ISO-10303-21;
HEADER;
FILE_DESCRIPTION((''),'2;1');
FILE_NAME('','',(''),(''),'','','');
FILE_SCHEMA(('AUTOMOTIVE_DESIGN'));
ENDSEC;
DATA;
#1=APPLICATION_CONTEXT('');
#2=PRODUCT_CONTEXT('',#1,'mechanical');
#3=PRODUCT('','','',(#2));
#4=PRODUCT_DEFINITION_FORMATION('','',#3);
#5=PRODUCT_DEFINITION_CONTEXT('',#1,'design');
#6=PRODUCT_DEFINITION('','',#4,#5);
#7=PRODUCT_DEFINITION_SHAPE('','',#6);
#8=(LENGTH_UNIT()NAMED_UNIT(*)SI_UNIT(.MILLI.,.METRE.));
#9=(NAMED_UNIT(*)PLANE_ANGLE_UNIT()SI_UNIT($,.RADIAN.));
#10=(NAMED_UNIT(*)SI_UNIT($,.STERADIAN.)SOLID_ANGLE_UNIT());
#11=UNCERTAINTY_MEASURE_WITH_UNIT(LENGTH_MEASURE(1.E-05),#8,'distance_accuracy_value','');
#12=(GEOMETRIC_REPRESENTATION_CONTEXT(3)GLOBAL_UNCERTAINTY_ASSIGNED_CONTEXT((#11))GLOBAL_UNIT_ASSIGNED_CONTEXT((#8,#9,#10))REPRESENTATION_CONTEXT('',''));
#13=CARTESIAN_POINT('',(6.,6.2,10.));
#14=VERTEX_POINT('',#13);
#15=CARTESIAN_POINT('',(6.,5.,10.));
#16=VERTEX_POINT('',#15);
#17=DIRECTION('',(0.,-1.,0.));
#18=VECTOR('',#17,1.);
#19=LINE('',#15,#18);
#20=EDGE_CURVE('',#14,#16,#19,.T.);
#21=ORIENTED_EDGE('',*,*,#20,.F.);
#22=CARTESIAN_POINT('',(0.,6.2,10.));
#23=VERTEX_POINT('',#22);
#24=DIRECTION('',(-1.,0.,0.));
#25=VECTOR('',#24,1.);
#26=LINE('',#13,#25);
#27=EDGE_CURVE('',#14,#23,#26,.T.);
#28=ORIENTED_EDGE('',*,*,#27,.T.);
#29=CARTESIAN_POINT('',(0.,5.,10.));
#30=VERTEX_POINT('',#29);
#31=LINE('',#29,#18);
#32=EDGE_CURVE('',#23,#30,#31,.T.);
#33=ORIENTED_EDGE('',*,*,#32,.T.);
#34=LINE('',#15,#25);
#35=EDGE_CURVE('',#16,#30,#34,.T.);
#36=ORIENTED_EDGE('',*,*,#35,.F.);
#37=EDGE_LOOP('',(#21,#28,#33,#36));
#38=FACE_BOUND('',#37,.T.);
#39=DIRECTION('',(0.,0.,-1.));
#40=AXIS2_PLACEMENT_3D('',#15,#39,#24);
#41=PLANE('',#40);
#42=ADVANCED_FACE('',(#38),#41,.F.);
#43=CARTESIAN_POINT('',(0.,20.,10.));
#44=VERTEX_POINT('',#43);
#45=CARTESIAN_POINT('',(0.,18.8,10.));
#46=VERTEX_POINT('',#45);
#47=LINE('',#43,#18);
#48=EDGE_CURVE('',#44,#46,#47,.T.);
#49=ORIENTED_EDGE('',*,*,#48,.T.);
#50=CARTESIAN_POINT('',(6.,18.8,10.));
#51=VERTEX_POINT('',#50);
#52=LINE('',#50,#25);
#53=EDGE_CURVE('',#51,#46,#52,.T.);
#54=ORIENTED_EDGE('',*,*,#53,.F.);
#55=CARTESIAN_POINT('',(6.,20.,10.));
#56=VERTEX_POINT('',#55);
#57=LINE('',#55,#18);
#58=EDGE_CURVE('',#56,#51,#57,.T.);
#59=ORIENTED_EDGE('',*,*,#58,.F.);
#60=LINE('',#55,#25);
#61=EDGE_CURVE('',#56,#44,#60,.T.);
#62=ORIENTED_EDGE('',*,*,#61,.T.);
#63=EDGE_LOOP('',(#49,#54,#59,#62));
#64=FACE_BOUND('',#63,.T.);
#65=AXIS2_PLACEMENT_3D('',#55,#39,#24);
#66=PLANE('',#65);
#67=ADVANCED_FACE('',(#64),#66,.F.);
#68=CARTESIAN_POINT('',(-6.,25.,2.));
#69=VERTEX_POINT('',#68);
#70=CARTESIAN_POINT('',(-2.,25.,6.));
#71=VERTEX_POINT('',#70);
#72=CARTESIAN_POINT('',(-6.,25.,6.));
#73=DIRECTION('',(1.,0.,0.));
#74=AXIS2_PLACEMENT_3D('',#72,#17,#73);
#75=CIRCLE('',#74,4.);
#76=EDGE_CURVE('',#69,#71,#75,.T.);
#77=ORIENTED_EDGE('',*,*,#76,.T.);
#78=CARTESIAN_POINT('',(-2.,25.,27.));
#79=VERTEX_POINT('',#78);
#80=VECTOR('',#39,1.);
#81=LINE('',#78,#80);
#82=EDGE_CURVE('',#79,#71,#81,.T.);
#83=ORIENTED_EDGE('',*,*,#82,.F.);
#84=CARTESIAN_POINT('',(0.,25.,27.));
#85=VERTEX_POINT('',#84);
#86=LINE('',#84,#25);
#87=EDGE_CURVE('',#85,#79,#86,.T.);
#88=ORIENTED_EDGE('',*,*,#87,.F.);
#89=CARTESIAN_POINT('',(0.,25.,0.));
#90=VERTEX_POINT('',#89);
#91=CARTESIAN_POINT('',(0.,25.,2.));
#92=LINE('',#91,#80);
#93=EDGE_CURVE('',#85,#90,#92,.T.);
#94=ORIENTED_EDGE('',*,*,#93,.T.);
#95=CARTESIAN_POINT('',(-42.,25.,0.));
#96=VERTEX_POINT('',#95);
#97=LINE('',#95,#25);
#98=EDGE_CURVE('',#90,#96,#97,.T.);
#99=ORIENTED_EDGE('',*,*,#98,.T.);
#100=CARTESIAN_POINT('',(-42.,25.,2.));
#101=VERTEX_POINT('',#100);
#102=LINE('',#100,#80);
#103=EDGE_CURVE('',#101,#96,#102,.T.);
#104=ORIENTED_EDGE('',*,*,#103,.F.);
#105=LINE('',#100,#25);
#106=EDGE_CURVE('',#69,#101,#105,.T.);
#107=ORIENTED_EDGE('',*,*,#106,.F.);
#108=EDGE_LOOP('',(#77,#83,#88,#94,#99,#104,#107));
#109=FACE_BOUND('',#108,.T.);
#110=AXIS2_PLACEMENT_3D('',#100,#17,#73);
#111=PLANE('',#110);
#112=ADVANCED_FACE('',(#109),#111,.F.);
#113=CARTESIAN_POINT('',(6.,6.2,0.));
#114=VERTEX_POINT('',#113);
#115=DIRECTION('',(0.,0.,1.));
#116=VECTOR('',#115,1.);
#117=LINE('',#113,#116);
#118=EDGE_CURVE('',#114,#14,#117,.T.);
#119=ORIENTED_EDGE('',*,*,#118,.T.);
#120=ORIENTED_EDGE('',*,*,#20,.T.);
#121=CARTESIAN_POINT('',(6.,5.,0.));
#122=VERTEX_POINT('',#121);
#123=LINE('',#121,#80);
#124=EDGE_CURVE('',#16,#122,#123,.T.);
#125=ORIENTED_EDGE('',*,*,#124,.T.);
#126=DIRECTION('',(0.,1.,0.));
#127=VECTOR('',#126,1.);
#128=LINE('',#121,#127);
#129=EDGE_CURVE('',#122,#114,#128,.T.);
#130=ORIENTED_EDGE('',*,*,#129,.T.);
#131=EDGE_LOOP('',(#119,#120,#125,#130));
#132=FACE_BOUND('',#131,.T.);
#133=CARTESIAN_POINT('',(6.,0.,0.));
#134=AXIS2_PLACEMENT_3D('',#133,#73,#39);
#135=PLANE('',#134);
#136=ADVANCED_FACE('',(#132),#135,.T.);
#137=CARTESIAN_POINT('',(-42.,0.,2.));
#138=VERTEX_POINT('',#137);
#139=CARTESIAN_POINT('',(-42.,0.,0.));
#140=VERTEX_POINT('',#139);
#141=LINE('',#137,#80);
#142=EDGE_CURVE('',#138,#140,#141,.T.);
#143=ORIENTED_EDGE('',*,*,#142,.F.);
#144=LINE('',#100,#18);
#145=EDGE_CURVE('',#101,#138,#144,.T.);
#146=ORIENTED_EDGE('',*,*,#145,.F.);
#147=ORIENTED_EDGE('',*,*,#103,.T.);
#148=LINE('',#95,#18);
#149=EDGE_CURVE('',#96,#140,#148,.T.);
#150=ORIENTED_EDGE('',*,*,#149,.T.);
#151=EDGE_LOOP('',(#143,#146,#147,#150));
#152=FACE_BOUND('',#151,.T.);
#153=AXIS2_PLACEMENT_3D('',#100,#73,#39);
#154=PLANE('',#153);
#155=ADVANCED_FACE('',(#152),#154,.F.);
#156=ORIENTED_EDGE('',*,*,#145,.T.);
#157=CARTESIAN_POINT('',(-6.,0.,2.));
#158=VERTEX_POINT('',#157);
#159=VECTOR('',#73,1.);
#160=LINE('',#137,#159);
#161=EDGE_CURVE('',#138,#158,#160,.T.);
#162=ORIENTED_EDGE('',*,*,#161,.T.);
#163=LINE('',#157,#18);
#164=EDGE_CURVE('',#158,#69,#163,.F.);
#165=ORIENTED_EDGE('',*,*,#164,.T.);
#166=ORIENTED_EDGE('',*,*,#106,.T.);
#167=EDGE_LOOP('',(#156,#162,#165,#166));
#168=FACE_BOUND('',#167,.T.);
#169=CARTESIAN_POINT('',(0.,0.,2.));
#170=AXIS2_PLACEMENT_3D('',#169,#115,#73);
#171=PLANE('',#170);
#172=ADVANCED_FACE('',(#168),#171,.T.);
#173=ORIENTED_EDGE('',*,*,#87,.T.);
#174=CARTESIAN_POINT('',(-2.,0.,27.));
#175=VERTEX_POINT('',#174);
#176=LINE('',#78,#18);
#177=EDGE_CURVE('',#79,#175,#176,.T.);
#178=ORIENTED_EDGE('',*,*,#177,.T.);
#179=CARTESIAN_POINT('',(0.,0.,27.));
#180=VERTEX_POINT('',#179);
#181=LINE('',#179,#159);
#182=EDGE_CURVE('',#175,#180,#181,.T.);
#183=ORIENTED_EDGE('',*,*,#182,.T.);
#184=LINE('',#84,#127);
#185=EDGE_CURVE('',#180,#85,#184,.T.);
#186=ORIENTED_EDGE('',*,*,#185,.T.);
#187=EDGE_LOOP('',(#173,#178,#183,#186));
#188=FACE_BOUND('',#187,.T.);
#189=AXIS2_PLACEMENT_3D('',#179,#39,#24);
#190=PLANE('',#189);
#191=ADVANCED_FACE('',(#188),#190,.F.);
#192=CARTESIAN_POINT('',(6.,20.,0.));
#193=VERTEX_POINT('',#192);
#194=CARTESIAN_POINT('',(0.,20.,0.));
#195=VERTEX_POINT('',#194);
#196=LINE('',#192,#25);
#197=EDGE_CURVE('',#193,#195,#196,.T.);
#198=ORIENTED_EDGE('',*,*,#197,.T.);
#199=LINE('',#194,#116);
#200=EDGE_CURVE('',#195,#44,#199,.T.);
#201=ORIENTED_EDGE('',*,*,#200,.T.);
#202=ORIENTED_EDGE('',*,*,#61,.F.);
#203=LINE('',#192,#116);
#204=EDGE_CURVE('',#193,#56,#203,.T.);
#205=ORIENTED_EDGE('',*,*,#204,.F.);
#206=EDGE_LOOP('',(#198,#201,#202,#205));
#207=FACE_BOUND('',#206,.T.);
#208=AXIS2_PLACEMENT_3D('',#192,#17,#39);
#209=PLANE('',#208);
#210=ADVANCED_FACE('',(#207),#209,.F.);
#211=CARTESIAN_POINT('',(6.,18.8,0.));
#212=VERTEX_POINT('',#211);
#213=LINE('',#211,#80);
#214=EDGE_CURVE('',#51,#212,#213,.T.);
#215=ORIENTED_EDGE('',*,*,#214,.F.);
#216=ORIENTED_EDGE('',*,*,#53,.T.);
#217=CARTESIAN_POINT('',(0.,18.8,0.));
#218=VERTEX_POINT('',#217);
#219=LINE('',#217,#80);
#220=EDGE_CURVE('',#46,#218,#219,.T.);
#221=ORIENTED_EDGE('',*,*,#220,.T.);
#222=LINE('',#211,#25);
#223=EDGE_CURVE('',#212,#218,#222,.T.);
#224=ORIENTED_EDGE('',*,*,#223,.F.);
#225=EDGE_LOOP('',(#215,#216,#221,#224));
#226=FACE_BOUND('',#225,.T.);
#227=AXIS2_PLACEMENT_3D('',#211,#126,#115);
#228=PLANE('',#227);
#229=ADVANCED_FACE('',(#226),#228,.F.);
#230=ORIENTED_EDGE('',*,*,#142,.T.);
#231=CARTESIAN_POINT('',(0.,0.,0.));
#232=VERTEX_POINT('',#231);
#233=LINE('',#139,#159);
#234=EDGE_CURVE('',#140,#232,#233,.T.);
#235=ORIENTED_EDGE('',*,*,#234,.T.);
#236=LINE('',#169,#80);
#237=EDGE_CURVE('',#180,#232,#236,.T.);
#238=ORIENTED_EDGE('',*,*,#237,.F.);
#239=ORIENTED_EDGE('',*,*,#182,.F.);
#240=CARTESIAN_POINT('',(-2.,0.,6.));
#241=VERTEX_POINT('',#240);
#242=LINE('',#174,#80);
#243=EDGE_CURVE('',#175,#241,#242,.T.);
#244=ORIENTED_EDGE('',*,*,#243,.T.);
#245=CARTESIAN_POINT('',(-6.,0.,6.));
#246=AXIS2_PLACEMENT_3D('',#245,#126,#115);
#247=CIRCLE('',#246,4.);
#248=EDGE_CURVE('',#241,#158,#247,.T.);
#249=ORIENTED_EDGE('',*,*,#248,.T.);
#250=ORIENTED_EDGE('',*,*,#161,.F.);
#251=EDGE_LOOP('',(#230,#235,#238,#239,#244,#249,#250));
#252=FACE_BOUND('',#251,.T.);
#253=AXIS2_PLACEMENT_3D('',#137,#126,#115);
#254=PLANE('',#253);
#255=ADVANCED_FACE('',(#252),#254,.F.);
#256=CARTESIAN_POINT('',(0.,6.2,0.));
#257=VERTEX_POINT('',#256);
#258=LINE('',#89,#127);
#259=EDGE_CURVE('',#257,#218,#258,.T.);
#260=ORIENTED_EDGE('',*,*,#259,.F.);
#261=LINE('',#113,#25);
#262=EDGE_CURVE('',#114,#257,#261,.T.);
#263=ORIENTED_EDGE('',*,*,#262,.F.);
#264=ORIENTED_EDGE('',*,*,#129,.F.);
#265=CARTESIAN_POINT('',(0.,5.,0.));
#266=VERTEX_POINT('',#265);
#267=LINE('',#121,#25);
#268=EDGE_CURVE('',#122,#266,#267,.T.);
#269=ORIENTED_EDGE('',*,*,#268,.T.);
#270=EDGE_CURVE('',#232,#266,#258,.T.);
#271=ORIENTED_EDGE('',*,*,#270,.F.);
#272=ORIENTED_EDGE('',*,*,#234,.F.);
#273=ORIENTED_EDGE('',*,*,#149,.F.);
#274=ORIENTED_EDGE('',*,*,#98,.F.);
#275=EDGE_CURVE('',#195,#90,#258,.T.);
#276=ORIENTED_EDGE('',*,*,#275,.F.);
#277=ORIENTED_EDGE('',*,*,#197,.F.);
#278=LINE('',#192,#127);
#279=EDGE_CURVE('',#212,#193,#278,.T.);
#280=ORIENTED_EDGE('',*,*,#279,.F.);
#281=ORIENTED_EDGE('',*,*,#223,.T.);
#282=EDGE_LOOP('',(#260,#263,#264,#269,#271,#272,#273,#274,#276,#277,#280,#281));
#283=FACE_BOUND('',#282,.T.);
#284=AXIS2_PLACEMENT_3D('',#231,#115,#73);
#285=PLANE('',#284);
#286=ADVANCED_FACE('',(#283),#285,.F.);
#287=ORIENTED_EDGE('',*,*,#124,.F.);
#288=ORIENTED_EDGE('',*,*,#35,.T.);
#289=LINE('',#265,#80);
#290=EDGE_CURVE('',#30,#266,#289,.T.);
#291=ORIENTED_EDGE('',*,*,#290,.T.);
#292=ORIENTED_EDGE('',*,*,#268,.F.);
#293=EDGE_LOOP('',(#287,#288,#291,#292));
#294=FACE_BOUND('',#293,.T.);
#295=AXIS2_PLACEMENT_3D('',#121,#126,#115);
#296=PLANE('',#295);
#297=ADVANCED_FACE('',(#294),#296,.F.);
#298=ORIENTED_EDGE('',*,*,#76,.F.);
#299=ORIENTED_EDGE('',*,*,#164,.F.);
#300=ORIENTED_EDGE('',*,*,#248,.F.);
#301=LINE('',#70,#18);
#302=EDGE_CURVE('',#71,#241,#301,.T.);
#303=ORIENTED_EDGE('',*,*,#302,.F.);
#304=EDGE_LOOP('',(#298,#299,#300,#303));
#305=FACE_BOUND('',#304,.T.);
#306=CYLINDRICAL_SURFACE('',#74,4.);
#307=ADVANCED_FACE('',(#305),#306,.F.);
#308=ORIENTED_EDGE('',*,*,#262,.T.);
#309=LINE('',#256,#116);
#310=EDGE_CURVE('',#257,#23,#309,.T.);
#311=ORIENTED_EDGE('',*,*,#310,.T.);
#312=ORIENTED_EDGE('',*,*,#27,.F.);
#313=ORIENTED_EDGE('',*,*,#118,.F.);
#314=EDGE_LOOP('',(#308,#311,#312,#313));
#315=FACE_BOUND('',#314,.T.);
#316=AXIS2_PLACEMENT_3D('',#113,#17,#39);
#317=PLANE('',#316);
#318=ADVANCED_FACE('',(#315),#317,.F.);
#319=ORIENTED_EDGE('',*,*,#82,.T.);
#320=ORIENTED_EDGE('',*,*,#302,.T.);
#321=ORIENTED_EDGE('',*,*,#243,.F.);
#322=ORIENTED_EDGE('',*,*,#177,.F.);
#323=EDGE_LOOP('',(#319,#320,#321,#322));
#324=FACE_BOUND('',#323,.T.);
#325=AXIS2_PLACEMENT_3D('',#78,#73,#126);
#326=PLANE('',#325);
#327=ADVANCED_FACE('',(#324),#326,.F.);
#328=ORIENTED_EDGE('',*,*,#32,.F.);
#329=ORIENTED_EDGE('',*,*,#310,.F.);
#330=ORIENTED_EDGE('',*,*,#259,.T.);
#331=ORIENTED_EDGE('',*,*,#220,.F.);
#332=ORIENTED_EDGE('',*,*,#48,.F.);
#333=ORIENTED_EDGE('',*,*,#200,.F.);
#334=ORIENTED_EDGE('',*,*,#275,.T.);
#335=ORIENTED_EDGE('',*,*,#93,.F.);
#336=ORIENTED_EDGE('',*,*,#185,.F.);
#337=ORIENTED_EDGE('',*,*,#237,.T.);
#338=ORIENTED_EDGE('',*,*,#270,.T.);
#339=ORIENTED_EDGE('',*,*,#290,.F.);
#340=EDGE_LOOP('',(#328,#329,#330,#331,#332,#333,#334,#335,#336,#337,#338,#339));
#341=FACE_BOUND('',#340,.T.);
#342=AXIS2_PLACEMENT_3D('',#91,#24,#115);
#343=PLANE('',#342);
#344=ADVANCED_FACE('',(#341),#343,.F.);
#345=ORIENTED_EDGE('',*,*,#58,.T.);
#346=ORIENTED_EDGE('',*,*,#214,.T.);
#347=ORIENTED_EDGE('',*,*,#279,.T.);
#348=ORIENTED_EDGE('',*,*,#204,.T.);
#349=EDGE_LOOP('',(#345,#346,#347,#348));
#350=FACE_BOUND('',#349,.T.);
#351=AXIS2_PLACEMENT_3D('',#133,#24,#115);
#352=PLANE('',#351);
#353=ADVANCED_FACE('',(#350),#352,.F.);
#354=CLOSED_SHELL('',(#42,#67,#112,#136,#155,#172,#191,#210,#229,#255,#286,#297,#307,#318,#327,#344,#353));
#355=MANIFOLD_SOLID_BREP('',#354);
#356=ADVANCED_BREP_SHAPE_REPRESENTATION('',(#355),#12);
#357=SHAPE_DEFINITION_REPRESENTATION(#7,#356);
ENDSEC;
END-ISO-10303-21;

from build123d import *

# Parameters (mm, degrees)
SKETCH1_W           = 42
SKETCH1_H           = 25
BOSS_EXTRUDE1_DEPTH = 2
SKETCH2_W           = 2
SKETCH2_H           = 25
BOSS_EXTRUDE2_DEPTH = 25
SKETCH3_W           = 10
SKETCH3_H           = 1.2
BOSS_EXTRUDE3_DEPTH = 6
FILLET1_R           = 4


with BuildPart() as part:
    # Sketch1 → Boss-Extrude1 (new body)
    with BuildSketch(Plane.XY):
        with Locations((-21, 12.5)):
            Rectangle(SKETCH1_W, SKETCH1_H)
    extrude(amount=BOSS_EXTRUDE1_DEPTH)

    # Sketch2 → Boss-Extrude2 (add)
    with BuildSketch(Plane.XY.offset(2)):
        with Locations((-1, 12.5)):
            Rectangle(SKETCH2_W, SKETCH2_H)
    extrude(amount=BOSS_EXTRUDE2_DEPTH)

    # Sketch3 → Boss-Extrude3 (add)
    with BuildSketch(Plane(origin=(0, 0, 0), x_dir=(0, 0, -1), z_dir=(1, 0, 0))):
        with Locations((-5, 19.4)):
            Rectangle(SKETCH3_W, SKETCH3_H)
        with Locations((-5, 5.6)):
            Rectangle(SKETCH3_W, SKETCH3_H)
    extrude(amount=BOSS_EXTRUDE3_DEPTH)

    # Fillet1
    fillet1_edges = [part.edges().sort_by_distance(p)[0] for p in [
        (-2, 12.5, 2),
    ]]
    fillet(fillet1_edges, radius=FILLET1_R)


solid = part.part
